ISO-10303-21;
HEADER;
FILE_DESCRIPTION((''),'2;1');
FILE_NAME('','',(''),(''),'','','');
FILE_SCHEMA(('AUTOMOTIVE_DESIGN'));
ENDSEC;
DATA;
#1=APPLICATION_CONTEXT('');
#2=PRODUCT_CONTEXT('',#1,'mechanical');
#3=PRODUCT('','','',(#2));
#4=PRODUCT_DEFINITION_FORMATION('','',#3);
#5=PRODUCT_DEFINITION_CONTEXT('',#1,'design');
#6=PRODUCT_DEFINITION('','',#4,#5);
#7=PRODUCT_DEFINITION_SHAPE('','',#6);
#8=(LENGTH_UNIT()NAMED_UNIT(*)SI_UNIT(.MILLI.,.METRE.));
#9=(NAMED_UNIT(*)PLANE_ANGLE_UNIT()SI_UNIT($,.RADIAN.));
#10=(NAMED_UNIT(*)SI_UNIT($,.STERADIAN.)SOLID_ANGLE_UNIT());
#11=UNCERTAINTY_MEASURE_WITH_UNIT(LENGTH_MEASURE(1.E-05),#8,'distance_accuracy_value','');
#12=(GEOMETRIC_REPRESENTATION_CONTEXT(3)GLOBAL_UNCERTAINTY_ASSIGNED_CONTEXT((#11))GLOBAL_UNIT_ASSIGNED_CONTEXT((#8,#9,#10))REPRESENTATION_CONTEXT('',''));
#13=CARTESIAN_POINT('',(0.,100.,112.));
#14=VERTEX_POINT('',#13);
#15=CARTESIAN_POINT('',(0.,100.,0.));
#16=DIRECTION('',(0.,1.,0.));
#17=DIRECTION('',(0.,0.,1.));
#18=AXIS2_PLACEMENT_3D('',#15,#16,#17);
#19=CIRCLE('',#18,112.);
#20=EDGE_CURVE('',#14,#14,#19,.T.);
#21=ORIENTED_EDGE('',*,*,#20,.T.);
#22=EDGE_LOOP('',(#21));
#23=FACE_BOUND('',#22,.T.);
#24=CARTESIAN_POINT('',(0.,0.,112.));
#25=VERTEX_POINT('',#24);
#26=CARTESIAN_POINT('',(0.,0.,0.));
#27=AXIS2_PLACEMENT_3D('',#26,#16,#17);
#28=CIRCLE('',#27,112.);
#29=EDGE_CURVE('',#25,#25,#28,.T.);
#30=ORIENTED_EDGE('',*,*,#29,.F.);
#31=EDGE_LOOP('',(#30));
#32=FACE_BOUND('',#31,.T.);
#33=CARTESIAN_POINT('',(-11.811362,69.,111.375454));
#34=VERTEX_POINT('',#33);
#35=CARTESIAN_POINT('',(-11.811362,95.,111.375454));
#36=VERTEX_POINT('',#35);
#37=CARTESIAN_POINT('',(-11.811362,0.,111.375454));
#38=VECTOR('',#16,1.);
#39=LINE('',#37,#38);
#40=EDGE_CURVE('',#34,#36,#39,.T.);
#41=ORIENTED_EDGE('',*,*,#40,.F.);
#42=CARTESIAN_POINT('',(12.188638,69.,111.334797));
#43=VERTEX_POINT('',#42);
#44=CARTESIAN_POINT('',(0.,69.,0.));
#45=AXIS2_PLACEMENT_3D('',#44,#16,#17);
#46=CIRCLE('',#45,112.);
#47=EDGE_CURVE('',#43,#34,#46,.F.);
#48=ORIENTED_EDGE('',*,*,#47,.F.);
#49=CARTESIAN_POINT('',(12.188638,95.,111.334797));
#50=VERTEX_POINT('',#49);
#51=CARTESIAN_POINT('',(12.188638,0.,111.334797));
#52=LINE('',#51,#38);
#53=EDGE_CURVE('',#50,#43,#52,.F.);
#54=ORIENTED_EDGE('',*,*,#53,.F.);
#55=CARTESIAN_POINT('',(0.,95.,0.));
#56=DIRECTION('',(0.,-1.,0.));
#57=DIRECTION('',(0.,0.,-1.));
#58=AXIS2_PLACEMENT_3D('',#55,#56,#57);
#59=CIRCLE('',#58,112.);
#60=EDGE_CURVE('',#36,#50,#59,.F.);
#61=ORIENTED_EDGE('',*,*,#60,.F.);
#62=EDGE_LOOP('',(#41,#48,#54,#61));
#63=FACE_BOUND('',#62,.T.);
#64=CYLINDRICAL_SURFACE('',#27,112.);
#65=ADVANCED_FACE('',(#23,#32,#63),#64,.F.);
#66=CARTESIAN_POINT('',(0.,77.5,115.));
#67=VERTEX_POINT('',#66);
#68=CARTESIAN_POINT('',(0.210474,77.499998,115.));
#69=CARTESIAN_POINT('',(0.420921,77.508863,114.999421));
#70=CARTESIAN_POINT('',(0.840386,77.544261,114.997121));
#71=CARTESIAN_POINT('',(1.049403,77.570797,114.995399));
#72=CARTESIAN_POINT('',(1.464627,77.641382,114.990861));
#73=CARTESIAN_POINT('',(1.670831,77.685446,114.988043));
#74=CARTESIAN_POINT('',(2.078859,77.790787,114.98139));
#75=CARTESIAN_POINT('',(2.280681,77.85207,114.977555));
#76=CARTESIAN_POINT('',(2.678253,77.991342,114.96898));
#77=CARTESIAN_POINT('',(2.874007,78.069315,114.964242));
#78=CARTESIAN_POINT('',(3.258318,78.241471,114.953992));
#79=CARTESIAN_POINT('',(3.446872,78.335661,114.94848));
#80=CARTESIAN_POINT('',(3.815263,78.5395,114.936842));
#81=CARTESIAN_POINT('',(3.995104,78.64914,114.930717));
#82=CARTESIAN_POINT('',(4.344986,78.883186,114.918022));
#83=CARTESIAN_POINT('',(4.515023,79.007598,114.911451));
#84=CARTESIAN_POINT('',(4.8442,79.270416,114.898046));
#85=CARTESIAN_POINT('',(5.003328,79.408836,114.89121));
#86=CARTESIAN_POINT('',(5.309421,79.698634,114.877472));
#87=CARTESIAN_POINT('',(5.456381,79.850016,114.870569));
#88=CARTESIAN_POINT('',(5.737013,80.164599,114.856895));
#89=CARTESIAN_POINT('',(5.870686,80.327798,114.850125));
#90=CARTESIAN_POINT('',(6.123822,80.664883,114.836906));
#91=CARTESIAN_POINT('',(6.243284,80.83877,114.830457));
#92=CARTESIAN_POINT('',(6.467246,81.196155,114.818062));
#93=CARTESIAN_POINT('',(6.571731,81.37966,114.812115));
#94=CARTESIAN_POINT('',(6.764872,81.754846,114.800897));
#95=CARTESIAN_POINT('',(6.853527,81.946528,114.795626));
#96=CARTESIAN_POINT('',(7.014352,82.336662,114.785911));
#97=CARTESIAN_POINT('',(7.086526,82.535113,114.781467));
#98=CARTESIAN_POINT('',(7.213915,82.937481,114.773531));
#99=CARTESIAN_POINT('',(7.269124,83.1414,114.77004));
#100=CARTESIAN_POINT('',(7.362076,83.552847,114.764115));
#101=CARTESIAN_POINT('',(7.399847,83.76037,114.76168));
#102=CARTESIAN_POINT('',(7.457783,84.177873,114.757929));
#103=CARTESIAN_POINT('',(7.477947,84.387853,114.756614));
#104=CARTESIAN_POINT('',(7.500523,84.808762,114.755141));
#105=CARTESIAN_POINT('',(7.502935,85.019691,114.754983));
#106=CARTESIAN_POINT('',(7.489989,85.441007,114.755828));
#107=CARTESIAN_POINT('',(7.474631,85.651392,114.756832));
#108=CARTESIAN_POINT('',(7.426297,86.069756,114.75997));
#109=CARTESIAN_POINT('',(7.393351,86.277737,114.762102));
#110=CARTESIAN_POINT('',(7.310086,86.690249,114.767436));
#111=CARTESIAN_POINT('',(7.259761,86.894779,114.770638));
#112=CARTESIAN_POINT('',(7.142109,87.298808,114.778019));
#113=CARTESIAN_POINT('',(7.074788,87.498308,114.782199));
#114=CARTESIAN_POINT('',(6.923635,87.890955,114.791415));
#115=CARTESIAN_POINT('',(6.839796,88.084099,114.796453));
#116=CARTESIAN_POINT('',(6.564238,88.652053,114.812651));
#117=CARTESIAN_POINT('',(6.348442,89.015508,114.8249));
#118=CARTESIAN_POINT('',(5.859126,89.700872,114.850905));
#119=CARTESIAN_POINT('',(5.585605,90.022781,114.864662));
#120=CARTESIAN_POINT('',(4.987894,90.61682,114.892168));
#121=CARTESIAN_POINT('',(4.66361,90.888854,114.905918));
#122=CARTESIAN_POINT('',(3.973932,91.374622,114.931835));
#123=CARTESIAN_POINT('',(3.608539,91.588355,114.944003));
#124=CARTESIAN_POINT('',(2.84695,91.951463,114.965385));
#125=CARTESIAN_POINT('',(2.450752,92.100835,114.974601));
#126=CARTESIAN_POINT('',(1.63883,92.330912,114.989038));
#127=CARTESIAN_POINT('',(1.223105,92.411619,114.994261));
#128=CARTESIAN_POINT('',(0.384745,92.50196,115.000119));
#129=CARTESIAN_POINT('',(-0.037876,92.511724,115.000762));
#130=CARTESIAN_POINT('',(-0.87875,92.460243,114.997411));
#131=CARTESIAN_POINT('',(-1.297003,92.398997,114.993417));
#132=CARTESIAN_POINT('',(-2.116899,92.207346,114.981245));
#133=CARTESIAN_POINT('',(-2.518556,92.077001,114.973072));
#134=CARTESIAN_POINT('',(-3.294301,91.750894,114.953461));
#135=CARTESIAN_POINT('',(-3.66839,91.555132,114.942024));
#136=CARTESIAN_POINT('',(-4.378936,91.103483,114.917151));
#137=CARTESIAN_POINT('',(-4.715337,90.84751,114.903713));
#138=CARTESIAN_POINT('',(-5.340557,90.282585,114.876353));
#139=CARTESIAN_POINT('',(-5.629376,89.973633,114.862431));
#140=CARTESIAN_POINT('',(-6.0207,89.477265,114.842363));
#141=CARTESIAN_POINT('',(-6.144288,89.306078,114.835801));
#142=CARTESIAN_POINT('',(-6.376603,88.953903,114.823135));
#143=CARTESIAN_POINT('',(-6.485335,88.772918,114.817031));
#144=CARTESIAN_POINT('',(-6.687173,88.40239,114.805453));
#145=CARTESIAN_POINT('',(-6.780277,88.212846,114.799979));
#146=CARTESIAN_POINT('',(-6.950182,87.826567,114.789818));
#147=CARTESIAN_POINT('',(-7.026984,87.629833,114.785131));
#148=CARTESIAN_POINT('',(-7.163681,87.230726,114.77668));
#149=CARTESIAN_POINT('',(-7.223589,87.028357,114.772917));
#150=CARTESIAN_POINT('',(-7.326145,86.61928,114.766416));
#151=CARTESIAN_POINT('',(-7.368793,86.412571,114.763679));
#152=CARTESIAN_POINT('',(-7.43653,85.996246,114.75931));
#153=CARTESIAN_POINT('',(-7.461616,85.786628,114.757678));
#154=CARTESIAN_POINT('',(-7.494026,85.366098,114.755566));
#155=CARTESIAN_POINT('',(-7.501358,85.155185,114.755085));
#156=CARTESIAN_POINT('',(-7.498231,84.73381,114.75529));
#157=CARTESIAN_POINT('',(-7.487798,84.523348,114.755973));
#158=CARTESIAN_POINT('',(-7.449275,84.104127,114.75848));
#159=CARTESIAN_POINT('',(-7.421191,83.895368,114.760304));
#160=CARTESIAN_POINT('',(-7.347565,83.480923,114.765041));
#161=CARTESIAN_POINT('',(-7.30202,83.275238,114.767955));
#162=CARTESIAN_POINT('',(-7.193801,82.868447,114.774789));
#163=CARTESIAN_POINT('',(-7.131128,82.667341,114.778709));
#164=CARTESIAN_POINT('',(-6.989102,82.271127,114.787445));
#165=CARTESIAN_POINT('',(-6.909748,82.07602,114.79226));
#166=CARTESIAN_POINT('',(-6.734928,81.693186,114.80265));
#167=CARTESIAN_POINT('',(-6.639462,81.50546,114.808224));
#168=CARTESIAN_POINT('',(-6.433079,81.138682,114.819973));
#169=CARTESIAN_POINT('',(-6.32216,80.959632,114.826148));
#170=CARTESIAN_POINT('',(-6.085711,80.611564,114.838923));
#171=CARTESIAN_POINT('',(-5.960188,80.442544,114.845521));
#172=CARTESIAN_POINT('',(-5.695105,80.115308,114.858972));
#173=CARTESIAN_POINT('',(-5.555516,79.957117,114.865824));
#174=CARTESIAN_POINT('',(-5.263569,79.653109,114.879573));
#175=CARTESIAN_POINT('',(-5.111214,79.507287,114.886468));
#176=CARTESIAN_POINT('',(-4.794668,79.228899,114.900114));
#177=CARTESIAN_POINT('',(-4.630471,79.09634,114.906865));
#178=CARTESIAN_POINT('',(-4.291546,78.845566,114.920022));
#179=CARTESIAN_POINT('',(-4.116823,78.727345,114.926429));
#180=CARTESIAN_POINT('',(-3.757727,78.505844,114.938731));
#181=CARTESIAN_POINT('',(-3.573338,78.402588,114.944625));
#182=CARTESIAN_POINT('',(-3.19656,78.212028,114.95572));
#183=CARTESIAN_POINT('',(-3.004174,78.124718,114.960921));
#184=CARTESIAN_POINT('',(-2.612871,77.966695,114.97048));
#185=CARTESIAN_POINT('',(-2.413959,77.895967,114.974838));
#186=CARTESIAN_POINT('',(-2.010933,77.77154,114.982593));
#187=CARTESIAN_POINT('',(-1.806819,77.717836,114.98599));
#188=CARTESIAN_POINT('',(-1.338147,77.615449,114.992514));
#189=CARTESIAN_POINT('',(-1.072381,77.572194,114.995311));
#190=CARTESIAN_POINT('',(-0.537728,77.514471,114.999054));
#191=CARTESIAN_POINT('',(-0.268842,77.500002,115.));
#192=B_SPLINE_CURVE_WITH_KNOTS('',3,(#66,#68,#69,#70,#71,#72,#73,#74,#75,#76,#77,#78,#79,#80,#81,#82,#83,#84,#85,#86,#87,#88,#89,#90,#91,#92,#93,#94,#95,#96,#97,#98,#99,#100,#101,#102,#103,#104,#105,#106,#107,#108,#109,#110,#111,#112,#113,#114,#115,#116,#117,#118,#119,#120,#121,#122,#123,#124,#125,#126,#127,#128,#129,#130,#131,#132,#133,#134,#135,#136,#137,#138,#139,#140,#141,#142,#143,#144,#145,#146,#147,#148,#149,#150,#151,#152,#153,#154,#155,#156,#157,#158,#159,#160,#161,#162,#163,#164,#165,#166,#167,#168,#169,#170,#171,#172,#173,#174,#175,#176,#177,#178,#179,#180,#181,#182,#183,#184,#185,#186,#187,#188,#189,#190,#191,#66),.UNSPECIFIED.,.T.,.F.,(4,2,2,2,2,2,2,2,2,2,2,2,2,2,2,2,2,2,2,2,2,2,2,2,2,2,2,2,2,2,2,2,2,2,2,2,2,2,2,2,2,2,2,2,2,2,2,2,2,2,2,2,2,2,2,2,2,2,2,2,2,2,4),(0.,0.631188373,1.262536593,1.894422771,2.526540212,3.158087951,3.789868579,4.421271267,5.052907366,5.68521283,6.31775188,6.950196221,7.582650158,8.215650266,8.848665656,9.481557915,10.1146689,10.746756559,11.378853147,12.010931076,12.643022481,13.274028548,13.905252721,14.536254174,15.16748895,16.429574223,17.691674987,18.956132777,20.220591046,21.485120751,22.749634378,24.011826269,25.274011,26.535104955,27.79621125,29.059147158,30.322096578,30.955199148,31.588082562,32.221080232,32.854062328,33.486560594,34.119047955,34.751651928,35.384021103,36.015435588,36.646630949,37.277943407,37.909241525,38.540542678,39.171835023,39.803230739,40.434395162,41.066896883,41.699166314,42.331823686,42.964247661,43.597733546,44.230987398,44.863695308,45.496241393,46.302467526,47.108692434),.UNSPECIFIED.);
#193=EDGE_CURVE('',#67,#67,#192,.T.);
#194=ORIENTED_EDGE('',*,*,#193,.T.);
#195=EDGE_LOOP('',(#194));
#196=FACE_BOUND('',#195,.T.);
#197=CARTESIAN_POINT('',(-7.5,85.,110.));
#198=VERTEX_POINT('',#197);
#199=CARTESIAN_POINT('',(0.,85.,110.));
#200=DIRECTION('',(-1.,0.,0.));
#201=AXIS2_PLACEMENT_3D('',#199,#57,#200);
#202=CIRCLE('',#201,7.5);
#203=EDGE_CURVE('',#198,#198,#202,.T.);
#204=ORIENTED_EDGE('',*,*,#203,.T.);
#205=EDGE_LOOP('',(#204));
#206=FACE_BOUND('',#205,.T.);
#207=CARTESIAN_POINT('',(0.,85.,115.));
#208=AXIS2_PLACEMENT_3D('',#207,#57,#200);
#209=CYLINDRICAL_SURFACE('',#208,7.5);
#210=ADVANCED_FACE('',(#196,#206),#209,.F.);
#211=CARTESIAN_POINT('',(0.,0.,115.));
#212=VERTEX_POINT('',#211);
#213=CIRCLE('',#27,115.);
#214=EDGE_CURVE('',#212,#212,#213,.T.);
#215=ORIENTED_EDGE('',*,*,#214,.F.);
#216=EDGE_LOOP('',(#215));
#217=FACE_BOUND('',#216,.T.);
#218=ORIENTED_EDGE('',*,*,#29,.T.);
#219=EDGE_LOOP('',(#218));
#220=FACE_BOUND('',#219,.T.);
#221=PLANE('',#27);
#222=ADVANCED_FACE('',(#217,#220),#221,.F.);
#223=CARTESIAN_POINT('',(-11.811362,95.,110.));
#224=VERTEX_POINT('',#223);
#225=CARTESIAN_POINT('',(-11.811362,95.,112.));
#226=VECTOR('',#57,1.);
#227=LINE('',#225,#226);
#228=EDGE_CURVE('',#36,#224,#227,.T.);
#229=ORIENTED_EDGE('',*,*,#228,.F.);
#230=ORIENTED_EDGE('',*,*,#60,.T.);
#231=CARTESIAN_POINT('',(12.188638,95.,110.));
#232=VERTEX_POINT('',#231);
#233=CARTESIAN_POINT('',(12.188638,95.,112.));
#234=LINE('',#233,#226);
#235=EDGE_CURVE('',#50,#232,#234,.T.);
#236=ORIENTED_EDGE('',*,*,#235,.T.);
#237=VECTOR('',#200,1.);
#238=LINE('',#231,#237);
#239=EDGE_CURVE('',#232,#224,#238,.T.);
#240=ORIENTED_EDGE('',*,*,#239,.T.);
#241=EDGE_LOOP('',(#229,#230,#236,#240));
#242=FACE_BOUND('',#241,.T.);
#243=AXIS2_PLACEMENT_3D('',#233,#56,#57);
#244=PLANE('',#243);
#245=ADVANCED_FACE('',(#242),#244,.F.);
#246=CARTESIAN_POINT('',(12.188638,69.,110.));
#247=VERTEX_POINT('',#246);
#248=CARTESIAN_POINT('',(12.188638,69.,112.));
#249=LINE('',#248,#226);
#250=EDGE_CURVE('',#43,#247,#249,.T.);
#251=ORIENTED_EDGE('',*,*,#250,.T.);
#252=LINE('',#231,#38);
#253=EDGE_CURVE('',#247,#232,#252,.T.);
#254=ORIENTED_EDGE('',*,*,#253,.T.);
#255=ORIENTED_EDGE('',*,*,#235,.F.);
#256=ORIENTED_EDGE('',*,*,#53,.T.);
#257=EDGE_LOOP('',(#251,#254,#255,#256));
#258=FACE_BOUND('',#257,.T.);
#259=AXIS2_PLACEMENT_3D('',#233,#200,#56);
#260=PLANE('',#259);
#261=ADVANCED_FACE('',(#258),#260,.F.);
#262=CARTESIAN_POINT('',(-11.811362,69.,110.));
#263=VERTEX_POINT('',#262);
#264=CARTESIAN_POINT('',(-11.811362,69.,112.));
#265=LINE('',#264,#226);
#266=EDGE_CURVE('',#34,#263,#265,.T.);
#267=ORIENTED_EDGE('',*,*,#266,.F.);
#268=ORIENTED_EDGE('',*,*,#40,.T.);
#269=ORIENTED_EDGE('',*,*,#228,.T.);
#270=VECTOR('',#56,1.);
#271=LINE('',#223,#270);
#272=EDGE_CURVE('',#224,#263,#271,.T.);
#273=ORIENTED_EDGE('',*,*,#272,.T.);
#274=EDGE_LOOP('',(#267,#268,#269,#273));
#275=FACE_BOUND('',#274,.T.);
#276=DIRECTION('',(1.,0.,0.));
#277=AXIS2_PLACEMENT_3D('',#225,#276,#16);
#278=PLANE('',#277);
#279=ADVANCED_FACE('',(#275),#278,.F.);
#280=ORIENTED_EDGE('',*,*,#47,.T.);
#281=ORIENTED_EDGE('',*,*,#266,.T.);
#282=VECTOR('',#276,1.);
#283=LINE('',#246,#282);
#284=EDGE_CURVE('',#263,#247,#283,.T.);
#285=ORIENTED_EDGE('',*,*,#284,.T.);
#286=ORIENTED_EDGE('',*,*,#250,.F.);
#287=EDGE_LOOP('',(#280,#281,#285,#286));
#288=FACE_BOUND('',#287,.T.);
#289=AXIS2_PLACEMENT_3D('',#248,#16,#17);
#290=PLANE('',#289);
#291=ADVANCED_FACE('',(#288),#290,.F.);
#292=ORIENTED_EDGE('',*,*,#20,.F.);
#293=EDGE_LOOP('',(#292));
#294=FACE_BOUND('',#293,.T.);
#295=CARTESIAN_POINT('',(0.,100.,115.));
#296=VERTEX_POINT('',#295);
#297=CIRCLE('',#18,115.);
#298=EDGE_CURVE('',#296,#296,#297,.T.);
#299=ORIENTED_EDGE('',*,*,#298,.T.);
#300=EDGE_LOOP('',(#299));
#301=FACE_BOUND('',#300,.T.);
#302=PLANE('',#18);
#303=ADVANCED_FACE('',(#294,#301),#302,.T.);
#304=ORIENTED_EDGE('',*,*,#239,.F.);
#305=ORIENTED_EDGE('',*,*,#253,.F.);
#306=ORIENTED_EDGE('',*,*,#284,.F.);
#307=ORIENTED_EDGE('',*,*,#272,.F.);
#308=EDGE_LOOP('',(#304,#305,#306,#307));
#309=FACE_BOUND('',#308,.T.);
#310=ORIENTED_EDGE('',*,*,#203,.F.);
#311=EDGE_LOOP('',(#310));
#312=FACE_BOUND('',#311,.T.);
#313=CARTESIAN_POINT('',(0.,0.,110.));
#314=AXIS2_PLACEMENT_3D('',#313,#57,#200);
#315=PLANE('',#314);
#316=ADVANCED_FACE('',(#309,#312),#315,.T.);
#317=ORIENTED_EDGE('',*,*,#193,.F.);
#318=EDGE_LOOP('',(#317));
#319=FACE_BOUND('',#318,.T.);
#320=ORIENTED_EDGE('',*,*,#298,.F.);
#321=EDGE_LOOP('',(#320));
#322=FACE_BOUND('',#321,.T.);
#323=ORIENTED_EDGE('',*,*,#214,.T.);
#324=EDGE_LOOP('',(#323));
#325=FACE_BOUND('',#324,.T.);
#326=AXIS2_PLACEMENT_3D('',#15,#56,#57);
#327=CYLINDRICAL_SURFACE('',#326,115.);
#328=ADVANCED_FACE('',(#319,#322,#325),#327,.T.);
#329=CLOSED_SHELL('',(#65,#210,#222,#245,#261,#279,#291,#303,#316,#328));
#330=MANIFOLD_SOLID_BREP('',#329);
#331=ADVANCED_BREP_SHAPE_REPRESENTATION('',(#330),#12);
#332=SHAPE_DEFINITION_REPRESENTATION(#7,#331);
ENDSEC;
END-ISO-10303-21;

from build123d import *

# Parameters (mm, degrees)
SKETCH2_R           = 115
BOSS_EXTRUDE3_DEPTH = 100
SKETCH3_R           = 112
CUT_EXTRUDE4_DEPTH  = 191.91883092
SKETCH4_R           = 7.5
CUT_EXTRUDE5_DEPTH  = 272.753564834
SKETCH6_W           = 24
SKETCH6_H           = 26
BOSS_EXTRUDE4_DEPTH = 2
SKETCH7_R           = 7.5
CUT_EXTRUDE6_DEPTH  = 272.753564996


with BuildPart() as part:
    # Sketch2 → Boss-Extrude3 (new body)
    with BuildSketch(Plane(origin=(0, 0, 0), x_dir=(1, 0, 0), z_dir=(0, 1, 0))):
        with Locations(Location((0, 0, 0), (0, 0, 270))):
            Circle(SKETCH2_R)
    extrude(amount=BOSS_EXTRUDE3_DEPTH)

    # Sketch3 → Cut-Extrude4 (cut, through all)
    with BuildSketch(Plane(origin=(0, 100, 0), x_dir=(1, 0, 0), z_dir=(0, 1, 0))):
        with Locations(Location((0, 0, 0), (0, 0, 270))):
            Circle(SKETCH3_R)
    extrude(amount=-CUT_EXTRUDE4_DEPTH, mode=Mode.SUBTRACT)

    # Sketch4 → Cut-Extrude5 (cut, through all)
    with BuildSketch(Plane.XY.offset(110)):
        with Locations(Location((0, 85, 0), (0, 0, 90))):
            Circle(SKETCH4_R)
    extrude(amount=CUT_EXTRUDE5_DEPTH, mode=Mode.SUBTRACT)

    # Sketch6 → Boss-Extrude4 (add)
    with BuildSketch(Plane.XY.offset(110)):
        with Locations((0.188638026, 82)):
            Rectangle(SKETCH6_W, SKETCH6_H)
    extrude(amount=BOSS_EXTRUDE4_DEPTH)

    # Sketch7 → Cut-Extrude6 (cut, through all)
    with BuildSketch(Plane(origin=(0, 0, 110), x_dir=(-1, 0, 0), z_dir=(0, 0, -1))):
        with Locations((0, 85)):
            Circle(SKETCH7_R)
    extrude(amount=-CUT_EXTRUDE6_DEPTH, mode=Mode.SUBTRACT)


solid = part.part
